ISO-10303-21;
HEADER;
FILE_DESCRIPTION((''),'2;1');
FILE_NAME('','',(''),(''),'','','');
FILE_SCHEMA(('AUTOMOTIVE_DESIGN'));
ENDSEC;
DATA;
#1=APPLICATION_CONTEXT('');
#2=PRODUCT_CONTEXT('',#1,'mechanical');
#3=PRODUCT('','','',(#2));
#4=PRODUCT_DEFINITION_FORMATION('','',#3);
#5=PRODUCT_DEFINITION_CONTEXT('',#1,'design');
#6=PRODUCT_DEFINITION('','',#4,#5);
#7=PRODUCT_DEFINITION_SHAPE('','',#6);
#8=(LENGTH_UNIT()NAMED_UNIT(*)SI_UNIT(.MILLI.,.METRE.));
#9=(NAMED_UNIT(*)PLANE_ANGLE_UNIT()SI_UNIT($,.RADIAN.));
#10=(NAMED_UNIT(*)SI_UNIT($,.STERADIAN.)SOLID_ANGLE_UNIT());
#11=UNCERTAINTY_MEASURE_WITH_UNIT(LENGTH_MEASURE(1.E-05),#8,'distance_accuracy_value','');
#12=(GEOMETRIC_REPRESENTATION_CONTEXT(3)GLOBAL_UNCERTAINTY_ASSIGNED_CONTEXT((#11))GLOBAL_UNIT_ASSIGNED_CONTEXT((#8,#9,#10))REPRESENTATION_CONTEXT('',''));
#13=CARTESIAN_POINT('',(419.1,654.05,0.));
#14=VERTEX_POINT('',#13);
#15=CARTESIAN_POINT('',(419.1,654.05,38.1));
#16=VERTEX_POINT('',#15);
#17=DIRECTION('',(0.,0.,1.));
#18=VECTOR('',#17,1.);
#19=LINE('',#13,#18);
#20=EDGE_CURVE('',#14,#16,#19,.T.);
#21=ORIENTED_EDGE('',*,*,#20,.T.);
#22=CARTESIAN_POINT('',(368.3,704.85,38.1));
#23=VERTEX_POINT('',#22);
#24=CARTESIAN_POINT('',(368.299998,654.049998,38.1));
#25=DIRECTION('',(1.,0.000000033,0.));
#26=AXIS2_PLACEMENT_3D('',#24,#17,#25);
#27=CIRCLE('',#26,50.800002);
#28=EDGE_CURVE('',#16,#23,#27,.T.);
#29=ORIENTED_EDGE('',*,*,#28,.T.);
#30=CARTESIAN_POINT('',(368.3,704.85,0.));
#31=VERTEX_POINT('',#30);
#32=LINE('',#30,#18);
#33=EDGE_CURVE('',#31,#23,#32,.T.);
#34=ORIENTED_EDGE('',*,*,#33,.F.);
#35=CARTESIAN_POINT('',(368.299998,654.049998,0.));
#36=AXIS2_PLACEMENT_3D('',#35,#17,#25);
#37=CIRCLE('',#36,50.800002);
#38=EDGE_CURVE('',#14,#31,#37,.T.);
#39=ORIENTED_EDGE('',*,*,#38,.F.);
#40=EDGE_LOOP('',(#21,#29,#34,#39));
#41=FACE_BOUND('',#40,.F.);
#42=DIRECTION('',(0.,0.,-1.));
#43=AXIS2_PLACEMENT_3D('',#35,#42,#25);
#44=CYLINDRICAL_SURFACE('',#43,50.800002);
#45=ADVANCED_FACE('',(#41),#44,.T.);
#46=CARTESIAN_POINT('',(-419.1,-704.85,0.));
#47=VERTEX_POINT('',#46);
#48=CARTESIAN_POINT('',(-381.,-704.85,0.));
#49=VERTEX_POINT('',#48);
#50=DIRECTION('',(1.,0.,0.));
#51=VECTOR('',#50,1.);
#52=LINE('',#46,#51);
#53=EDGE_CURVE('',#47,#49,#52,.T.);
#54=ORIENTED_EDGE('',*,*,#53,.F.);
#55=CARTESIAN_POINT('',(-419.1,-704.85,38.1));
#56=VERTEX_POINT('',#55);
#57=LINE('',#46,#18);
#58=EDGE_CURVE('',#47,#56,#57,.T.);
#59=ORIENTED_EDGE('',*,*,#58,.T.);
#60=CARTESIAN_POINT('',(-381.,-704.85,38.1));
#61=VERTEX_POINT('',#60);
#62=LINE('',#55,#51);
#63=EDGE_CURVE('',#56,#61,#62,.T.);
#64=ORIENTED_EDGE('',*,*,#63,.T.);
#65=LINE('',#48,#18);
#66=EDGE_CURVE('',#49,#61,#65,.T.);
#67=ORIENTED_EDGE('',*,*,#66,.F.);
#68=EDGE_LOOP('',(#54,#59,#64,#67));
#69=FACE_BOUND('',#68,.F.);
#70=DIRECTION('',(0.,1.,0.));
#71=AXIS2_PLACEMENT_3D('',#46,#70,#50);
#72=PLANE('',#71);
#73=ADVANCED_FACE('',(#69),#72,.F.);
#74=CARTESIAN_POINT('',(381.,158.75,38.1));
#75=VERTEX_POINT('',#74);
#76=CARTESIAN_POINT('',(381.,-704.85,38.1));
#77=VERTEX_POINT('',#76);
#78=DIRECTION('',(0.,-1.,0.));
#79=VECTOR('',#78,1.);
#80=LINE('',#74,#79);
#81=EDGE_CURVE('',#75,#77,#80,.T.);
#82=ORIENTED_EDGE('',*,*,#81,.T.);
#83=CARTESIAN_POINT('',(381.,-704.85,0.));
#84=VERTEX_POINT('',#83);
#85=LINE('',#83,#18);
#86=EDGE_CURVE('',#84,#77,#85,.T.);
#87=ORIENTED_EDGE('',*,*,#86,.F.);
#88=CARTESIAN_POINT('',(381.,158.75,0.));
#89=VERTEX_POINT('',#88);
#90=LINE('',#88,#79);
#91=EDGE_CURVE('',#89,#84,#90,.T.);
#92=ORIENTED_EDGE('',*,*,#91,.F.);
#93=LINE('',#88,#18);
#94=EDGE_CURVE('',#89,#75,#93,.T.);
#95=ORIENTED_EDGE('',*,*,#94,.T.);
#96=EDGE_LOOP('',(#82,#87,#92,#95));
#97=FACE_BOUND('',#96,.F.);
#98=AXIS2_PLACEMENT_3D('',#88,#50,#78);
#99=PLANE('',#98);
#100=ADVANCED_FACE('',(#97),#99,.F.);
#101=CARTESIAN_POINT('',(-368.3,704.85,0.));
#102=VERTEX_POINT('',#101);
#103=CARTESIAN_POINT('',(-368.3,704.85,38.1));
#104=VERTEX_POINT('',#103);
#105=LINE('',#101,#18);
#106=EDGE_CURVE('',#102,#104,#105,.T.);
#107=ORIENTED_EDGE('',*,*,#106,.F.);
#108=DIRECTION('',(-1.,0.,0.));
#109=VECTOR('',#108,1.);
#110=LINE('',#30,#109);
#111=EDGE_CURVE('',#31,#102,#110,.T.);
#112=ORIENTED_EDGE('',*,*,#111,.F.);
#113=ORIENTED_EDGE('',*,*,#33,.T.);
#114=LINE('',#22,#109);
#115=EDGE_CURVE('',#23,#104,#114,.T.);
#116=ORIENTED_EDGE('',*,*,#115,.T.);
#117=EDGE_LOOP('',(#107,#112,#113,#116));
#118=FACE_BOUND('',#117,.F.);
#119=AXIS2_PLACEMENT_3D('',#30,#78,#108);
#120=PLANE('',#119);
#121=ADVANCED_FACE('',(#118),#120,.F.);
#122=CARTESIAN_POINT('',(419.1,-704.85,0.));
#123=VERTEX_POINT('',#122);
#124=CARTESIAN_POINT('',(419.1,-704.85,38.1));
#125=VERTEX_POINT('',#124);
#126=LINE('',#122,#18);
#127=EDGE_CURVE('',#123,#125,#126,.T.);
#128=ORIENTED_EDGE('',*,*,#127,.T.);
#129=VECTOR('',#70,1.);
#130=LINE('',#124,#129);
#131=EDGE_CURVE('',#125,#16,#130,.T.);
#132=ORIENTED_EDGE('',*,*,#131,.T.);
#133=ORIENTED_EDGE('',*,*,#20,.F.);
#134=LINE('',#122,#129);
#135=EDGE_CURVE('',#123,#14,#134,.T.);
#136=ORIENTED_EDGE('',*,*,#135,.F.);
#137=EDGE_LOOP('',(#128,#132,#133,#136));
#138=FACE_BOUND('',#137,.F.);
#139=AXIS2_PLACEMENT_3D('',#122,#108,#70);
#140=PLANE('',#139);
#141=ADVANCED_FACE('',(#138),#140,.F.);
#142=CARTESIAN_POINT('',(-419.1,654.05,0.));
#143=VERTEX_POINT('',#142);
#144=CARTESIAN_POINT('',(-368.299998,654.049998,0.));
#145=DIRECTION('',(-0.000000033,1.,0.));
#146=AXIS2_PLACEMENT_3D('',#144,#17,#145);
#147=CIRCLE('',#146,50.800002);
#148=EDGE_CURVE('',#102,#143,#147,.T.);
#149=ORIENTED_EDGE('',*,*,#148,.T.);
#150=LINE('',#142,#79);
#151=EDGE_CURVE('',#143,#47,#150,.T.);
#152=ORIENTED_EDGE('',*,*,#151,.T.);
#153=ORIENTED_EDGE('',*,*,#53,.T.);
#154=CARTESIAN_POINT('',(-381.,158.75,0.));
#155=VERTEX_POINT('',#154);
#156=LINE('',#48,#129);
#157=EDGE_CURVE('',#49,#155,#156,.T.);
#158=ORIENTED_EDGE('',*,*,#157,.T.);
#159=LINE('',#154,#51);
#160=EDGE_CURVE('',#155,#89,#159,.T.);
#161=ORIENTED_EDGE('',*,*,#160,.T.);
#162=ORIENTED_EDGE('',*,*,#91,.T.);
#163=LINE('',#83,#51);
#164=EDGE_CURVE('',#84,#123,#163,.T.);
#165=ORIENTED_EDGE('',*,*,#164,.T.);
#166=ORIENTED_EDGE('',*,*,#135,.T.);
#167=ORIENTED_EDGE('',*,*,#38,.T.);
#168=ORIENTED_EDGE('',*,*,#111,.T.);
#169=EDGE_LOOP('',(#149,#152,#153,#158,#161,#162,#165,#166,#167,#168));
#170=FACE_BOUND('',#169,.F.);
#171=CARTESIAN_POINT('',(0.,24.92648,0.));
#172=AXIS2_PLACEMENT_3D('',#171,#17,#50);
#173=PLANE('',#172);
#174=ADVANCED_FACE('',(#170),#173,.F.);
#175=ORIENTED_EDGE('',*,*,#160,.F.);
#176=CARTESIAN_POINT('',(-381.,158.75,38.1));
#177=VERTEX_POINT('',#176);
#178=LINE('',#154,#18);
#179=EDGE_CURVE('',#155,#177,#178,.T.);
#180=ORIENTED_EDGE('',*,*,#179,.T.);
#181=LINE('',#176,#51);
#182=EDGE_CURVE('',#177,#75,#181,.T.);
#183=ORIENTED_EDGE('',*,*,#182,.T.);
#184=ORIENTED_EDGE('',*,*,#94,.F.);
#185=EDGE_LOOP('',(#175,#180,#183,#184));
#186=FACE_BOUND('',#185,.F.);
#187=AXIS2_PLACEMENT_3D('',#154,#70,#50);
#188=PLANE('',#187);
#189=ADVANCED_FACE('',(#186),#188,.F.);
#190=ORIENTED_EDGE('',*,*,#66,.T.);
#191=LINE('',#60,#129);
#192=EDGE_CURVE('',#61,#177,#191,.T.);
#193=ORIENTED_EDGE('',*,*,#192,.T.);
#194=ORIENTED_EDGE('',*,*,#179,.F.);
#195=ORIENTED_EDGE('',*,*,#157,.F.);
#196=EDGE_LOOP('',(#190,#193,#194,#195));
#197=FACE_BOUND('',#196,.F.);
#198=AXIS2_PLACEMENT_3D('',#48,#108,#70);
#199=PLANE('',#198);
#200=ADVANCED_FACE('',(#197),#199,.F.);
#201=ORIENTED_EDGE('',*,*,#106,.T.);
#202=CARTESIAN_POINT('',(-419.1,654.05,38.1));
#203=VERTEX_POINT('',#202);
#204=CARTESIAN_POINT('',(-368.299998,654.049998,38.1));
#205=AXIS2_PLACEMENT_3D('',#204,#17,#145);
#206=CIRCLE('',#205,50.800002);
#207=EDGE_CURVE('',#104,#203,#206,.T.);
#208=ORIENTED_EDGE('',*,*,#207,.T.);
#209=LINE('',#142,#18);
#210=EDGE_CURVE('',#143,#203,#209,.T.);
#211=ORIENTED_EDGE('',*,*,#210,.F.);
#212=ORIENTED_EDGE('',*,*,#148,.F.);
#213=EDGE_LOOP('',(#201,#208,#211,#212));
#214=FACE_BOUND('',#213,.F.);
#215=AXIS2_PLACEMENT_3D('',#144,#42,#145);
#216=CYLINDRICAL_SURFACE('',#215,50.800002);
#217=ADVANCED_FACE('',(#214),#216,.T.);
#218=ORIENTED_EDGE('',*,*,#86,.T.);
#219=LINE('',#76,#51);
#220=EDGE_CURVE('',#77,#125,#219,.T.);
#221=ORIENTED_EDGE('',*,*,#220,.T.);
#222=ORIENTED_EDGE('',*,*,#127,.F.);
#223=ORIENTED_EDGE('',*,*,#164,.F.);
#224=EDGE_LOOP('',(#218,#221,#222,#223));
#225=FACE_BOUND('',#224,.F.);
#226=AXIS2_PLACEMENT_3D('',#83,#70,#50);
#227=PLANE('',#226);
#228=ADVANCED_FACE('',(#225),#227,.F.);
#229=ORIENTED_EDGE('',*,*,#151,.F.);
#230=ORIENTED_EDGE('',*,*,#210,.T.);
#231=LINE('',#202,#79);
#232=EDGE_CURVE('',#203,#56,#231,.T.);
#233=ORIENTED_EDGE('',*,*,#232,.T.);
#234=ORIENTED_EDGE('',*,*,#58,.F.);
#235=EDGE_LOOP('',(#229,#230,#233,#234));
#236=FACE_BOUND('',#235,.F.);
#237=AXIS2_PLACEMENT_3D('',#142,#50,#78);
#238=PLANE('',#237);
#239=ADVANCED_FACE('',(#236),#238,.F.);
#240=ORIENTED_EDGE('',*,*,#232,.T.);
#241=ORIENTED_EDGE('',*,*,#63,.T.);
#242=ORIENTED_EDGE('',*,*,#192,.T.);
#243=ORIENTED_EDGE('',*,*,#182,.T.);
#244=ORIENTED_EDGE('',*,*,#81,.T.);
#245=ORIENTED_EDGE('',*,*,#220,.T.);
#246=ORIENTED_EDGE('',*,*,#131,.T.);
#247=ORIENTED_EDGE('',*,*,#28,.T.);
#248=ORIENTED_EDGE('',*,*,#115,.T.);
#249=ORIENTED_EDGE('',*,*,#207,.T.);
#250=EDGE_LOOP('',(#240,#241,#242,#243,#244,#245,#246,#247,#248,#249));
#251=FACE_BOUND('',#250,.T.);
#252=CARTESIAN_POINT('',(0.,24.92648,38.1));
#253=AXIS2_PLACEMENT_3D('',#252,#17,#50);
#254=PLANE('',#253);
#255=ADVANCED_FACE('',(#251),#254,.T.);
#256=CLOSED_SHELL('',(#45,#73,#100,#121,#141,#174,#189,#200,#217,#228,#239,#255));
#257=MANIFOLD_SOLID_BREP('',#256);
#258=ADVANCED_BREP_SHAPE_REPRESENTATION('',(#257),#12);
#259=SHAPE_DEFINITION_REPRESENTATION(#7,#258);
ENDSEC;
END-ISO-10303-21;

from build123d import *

# Parameters (mm, degrees)
F1_DEPTH = 38.1


with BuildPart() as f1:
    # F0 (on Top) → F1 (new body)
    with BuildSketch(Plane.XY):
        with BuildLine():
            Line((368.3, 704.85), (-368.3, 704.85))
            ThreePointArc((-368.3, 704.85), (-404.221024, 689.971024), (-419.1, 654.05))
            Line((-419.1, 654.05), (-419.1, -704.85))
            Line((-419.1, -704.85), (-381, -704.85))
            Line((-381, -704.85), (-381, 158.75))
            Line((-381, 158.75), (381, 158.75))
            Line((381, 158.75), (381, -704.85))
            Line((381, -704.85), (419.1, -704.85))
            Line((419.1, -704.85), (419.1, 654.05))
            ThreePointArc((419.1, 654.05), (404.221024, 689.971024), (368.3, 704.85))
        make_face()
    extrude(amount=F1_DEPTH)


solid = f1.part
